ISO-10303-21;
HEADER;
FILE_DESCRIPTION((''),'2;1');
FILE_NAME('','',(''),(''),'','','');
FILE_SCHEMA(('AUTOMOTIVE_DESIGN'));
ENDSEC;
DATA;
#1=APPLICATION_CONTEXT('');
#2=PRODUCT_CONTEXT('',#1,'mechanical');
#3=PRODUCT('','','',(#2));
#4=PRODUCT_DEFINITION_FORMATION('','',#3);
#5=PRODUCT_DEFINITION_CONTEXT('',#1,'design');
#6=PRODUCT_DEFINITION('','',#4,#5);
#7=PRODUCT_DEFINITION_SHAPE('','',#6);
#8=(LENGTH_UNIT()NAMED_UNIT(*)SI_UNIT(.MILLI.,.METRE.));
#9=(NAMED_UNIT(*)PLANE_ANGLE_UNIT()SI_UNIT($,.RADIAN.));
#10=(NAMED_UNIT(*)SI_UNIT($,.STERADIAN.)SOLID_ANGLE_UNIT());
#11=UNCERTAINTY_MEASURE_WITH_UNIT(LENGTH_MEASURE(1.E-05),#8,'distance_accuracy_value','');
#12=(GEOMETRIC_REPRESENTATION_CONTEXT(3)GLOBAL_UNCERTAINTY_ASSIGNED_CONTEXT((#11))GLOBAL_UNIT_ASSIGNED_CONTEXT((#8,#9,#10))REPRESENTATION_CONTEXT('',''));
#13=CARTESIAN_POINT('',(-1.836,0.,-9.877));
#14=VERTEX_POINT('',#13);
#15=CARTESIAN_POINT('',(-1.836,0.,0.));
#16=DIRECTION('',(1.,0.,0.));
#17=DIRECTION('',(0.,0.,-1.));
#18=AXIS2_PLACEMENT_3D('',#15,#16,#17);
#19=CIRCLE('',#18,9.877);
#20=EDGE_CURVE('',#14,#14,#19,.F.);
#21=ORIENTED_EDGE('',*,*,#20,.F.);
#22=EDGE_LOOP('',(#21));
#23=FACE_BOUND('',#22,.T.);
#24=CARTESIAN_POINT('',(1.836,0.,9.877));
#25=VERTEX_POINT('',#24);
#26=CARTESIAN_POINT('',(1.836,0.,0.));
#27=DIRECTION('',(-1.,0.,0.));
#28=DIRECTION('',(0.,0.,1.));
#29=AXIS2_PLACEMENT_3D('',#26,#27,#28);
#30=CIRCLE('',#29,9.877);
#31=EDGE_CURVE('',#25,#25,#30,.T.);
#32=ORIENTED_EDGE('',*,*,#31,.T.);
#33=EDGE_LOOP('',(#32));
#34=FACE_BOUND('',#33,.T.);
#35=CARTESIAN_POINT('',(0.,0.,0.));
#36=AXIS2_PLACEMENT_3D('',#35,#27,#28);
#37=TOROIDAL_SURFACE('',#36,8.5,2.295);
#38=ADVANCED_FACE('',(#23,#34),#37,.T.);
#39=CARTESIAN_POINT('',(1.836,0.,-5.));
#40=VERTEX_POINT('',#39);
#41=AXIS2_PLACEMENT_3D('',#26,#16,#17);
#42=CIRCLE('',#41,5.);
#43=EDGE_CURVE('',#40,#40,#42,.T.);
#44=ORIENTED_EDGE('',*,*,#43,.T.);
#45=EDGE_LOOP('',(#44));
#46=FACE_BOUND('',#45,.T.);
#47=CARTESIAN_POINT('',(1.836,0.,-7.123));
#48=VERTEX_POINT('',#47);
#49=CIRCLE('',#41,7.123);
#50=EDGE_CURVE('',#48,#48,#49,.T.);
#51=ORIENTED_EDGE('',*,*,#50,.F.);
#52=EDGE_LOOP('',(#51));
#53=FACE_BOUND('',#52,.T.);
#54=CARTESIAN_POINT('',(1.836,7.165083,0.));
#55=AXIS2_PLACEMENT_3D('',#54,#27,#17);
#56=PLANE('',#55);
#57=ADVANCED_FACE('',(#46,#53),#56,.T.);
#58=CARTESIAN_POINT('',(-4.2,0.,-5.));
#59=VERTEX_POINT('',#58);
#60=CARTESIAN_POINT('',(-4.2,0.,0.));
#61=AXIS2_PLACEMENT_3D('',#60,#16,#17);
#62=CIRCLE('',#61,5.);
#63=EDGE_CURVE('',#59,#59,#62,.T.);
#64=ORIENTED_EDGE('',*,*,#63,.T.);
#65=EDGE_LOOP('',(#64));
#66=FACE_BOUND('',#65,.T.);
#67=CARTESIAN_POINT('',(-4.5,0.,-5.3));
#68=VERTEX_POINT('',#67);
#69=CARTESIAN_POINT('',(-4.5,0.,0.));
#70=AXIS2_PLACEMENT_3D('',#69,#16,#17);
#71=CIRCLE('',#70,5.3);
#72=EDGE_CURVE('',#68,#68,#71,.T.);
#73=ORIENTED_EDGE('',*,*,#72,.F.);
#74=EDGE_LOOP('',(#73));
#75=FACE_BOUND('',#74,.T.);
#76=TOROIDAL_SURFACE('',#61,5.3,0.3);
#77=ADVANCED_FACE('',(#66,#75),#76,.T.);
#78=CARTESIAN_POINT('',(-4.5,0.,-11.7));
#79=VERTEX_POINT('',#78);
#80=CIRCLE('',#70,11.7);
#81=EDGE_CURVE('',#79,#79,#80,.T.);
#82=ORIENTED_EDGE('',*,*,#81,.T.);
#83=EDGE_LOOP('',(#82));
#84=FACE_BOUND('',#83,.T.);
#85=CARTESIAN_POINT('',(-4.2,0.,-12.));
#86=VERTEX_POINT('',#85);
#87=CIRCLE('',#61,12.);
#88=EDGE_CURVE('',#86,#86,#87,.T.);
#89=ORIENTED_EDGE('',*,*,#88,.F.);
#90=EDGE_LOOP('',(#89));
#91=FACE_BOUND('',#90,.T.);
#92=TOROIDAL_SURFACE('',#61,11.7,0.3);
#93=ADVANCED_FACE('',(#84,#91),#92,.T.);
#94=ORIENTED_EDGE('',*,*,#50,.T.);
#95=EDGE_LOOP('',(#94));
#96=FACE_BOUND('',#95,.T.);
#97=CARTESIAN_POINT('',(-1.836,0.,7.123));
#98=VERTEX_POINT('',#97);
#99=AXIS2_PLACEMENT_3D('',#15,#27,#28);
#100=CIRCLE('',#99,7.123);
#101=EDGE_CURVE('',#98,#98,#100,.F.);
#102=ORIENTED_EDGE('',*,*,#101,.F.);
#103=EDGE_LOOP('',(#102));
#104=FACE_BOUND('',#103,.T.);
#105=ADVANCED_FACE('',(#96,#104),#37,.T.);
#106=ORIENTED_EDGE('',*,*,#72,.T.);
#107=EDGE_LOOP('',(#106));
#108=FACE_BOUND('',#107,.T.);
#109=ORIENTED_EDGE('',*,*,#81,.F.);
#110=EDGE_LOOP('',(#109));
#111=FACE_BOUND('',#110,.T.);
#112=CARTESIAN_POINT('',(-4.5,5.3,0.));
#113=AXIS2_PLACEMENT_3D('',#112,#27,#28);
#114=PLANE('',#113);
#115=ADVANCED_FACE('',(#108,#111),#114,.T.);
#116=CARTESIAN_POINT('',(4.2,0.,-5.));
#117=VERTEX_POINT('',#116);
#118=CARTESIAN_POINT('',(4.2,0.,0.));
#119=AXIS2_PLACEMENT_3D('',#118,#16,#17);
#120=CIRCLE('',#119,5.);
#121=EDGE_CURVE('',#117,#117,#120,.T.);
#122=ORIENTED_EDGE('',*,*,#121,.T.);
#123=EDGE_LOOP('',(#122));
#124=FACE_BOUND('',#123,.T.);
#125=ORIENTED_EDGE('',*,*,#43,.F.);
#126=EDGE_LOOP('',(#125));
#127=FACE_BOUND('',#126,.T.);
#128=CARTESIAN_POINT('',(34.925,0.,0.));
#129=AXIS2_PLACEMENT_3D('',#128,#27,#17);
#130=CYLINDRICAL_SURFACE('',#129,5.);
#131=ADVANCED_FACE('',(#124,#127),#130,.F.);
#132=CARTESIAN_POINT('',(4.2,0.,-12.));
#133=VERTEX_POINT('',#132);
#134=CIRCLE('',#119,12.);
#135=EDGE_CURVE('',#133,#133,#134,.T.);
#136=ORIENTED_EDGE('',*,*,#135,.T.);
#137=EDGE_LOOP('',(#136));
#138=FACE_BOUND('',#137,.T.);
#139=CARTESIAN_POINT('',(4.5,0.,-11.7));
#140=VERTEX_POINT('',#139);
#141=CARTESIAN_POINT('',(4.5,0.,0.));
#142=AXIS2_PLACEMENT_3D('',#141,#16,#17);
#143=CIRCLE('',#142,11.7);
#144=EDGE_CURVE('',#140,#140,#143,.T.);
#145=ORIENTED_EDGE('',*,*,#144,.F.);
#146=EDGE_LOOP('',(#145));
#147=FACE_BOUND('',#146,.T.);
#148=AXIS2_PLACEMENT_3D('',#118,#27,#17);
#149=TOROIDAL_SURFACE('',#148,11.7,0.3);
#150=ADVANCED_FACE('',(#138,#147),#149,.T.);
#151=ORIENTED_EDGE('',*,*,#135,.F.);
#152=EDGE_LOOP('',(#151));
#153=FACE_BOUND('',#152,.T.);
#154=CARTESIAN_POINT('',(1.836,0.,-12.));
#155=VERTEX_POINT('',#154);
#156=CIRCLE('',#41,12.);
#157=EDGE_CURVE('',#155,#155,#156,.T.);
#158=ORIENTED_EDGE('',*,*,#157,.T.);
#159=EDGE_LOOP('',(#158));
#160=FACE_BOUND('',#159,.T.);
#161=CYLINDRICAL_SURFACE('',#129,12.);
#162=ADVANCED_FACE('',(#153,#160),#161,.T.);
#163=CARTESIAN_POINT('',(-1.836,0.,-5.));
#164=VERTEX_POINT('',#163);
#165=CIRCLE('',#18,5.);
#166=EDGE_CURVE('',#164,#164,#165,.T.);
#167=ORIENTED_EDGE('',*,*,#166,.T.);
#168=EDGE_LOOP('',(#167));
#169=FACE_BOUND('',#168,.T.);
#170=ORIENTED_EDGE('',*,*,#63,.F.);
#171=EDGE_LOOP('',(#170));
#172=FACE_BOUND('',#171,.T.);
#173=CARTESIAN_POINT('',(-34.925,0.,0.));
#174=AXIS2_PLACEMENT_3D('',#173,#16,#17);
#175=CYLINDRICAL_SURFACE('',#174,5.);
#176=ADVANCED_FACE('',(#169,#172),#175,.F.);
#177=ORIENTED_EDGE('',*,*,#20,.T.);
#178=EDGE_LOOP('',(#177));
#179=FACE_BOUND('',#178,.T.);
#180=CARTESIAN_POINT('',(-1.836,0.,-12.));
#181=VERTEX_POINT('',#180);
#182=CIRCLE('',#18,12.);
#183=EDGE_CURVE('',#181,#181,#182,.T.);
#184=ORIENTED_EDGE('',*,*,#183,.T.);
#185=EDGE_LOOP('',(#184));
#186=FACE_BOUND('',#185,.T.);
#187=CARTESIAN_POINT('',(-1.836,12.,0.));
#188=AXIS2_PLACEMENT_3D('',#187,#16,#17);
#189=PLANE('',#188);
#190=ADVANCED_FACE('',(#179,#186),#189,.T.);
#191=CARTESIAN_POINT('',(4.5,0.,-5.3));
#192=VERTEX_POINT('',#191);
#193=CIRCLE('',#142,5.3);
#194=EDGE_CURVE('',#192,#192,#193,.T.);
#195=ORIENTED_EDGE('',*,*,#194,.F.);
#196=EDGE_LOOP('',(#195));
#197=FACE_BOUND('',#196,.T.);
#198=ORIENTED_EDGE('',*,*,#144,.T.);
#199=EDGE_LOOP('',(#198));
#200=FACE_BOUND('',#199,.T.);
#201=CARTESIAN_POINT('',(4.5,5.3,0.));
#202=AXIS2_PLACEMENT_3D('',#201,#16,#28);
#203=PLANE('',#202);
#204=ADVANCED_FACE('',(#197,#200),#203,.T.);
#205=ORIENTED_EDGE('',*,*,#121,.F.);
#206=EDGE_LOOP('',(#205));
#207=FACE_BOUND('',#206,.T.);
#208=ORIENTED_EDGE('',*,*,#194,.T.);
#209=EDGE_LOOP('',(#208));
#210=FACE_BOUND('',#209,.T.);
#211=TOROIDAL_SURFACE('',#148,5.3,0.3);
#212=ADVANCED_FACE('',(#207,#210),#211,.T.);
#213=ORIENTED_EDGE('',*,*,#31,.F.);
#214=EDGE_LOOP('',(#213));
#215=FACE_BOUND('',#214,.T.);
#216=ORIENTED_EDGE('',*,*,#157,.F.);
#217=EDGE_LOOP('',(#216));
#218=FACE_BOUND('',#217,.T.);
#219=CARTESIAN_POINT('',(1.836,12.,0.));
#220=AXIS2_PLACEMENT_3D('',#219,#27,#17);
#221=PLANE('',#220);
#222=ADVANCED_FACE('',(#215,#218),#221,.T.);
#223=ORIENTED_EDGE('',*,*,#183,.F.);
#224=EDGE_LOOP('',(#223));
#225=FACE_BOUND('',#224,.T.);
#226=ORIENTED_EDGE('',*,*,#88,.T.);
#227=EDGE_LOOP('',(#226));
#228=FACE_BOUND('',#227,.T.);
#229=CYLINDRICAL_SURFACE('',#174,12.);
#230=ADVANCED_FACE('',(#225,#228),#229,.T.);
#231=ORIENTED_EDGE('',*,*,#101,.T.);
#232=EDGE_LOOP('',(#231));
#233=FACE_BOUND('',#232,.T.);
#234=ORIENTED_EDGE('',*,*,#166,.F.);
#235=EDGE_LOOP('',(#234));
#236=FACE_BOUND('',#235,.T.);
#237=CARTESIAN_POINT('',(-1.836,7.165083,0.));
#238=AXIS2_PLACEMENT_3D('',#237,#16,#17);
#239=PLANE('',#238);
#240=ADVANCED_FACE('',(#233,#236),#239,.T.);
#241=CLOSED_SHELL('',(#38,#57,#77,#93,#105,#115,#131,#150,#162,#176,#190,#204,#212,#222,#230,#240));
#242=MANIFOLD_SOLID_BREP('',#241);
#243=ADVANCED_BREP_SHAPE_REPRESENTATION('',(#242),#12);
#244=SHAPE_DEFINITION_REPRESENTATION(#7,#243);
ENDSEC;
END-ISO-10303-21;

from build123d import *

# Parameters (mm, degrees)
BALSIMSKE_R = 2.295


with BuildPart() as part:
    # InnRacSke → Race (revolve)
    with BuildSketch(Plane.XY, mode=Mode.PRIVATE) as race_sk:
        with BuildLine():
            Line((-1.836, 7.165082774), (-1.836, 5))
            Line((-1.836, 5), (-4.2, 5))
            ThreePointArc((-4.2, 5), (-4.412132034, 5.087867966), (-4.5, 5.3))
            Line((-4.5, 5.3), (-4.5, 11.7))
            ThreePointArc((-4.5, 11.7), (-4.412132034, 11.912132034), (-4.2, 12))
            Line((-4.2, 12), (-1.836, 12))
            Line((-1.836, 12), (-1.836, 9.834917226))
            ThreePointArc((-1.836, 9.834917226), (-2.27, 8.5), (-1.836, 7.165082774))
        make_face()
    race = revolve(race_sk.sketch.rotate(Axis((-34.925, 0, 0), (1, 0, 0)), 270), axis=Axis((-34.925, 0, 0), (1, 0, 0)))

    # BalSimSke → BallsSimplified (revolve)
    with BuildSketch(Plane.XY, mode=Mode.PRIVATE) as ballssimplified_sk:
        with Locations((0, 8.5)):
            Circle(BALSIMSKE_R)
    revolve(ballssimplified_sk.sketch.rotate(Axis((-25.4, 0, 0), (1, 0, 0)), 90), axis=Axis((-25.4, 0, 0), (1, 0, 0)))

    # Mirror1: Race across plane
    add(race.mirror(Plane(origin=(0, 0, 0), x_dir=(0, 0, 1), z_dir=(1, 0, 0))))


solid = part.part
